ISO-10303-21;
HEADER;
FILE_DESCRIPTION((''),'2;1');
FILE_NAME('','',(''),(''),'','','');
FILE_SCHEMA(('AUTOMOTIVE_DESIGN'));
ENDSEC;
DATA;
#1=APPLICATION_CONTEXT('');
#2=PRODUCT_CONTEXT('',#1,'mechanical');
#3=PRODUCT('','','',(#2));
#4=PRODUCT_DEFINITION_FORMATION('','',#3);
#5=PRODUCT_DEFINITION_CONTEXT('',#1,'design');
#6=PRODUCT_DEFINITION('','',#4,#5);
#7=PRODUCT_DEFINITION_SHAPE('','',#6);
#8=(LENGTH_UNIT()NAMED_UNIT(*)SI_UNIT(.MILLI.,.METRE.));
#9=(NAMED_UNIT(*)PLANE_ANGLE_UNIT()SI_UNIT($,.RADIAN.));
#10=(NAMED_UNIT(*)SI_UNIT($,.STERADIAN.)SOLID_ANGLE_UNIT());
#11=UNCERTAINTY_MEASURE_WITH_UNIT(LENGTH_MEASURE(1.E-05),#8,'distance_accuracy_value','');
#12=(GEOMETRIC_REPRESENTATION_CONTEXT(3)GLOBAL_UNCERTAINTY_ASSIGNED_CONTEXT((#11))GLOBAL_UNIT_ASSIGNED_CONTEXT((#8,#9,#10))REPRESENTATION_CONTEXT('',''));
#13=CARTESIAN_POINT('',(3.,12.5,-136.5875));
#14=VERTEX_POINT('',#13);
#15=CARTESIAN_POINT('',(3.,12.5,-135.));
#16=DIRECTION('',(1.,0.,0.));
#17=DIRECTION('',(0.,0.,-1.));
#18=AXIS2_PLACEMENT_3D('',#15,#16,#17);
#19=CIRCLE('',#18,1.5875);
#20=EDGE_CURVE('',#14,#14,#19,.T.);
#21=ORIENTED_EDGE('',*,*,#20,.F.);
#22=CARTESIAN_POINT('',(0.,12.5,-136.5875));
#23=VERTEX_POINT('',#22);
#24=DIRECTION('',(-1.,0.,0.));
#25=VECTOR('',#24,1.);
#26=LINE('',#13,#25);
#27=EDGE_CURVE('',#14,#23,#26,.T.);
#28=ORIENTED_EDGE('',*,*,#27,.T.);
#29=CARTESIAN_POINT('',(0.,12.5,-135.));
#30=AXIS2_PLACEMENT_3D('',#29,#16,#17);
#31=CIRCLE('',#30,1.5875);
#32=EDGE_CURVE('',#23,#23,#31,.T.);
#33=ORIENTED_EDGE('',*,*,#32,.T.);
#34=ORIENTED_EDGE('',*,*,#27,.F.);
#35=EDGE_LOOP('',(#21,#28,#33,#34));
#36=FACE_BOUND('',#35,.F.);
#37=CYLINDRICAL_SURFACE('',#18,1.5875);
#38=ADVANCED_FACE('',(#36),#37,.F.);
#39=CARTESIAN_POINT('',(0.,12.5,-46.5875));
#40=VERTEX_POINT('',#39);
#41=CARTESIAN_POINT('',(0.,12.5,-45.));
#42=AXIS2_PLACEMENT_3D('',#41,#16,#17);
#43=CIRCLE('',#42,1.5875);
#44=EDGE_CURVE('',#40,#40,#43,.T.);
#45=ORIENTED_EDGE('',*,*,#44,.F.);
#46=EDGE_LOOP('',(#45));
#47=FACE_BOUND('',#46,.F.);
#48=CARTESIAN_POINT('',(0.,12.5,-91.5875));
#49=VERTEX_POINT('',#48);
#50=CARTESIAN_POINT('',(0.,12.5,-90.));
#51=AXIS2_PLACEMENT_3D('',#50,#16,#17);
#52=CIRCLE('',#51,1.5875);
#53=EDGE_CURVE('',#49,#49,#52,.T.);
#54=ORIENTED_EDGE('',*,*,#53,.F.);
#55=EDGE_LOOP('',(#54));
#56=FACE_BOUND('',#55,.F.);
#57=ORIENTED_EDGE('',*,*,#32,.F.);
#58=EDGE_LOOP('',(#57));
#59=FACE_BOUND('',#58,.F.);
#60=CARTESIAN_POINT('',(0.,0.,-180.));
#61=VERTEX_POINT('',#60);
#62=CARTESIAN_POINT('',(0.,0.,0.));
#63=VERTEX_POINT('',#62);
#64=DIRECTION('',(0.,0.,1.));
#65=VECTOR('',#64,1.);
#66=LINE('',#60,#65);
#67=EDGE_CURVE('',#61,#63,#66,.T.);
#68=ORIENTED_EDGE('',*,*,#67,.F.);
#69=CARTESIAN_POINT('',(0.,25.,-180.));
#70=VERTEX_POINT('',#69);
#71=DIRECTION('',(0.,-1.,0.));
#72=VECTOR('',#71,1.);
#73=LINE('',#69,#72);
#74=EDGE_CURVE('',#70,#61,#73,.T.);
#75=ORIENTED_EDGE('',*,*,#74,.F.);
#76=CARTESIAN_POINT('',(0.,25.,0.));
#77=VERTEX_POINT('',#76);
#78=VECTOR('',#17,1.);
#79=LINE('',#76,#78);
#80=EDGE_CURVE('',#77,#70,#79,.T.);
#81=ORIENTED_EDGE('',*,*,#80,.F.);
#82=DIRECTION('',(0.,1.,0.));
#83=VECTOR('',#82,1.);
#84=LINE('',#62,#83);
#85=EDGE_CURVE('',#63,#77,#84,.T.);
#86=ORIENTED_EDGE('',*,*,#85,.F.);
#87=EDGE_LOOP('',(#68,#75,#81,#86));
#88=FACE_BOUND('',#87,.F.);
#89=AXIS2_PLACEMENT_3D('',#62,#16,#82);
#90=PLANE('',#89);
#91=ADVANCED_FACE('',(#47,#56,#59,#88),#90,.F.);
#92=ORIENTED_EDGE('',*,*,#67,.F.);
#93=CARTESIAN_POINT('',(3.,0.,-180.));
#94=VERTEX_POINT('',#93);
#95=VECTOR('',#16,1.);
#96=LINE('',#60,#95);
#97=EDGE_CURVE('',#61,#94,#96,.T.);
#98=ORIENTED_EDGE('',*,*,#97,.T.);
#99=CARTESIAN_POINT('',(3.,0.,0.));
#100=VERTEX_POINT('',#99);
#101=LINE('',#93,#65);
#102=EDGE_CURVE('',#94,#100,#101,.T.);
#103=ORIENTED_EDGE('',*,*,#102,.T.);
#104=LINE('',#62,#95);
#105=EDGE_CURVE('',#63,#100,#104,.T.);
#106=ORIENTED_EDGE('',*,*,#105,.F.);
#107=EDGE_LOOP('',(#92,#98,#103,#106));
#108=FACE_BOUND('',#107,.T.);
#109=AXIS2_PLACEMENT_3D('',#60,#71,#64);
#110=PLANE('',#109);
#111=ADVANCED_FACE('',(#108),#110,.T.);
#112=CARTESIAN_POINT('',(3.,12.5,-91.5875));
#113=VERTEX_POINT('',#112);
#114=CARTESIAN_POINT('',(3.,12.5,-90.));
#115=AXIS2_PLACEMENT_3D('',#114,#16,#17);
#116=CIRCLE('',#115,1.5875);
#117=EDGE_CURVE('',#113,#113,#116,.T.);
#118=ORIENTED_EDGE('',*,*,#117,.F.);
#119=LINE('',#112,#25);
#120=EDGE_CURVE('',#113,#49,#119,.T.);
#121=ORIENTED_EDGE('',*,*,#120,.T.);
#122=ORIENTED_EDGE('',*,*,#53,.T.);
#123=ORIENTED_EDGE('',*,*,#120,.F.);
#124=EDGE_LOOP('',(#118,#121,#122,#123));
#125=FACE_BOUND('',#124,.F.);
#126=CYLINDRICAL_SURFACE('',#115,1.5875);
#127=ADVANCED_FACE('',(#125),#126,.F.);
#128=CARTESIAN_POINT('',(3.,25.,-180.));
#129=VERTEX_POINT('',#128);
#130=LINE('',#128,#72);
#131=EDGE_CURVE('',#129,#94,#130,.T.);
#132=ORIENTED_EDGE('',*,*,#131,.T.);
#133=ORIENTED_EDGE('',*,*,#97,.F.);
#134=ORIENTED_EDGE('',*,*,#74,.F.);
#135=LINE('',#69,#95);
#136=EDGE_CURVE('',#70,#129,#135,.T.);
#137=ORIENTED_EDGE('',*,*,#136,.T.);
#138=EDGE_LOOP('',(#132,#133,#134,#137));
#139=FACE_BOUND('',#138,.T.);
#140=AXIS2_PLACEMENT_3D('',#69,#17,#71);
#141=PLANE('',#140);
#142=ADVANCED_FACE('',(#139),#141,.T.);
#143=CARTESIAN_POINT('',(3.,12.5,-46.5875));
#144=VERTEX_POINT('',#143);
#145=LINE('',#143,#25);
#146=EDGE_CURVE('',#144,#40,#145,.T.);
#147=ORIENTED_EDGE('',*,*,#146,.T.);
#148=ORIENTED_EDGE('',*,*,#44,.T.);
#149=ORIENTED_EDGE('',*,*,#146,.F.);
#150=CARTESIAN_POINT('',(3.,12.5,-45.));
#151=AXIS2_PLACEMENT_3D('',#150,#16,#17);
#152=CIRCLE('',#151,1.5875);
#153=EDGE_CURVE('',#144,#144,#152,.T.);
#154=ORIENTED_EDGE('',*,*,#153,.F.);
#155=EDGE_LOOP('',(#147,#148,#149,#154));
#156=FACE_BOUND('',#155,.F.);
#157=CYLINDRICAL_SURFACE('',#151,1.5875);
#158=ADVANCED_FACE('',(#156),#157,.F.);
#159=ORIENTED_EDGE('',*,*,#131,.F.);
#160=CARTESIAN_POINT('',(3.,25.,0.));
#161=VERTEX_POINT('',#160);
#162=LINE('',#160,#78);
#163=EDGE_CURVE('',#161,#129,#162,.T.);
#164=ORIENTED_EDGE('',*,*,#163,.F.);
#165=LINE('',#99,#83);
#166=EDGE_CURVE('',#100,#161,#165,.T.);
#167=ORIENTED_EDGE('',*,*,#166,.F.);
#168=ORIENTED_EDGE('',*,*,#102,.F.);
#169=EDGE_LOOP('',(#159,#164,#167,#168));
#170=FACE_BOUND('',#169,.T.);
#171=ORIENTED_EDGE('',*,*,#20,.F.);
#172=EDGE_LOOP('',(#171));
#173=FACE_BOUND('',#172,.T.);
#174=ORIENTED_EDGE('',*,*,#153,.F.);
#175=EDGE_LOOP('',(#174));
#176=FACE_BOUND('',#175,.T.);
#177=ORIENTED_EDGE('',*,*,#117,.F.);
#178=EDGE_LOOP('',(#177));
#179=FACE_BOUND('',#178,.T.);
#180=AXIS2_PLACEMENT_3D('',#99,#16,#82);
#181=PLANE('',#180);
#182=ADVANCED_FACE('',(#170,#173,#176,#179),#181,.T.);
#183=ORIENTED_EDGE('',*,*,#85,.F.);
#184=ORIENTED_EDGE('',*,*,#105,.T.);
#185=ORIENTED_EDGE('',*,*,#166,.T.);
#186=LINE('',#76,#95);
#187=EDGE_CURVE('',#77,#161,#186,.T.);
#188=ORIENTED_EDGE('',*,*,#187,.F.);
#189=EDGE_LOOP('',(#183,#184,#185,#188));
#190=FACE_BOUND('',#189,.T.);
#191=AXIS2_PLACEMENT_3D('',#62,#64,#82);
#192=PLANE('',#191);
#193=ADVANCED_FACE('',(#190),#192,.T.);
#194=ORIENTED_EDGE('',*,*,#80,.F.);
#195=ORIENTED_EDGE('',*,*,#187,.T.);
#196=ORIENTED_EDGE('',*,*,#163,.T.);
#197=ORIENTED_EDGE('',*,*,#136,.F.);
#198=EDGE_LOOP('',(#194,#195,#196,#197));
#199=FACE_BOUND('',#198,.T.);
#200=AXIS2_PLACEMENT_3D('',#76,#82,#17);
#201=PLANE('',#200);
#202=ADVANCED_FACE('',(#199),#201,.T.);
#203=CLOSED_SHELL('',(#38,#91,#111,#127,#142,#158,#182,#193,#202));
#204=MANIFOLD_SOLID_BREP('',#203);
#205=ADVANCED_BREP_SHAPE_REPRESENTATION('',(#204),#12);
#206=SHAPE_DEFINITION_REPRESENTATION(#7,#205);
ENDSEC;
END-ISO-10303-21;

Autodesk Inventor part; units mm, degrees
ref_plane "YZ Plane" through (0, 0, 0) normal (1, 0, 0) x (0, 1, 0)
ref_plane "XZ Plane" through (0, 0, 0) normal (0, 1, 0) x (-1, 0, 0)
ref_plane "XY Plane" through (0, 0, 0) normal (0, 0, 1) x (1, 0, 0)
sketch "Boceto1" plane through (0, 0, 0) normal (1, 0, 0) x (0, 1, 0)
  line L0 (0, 0) -> (25, 0)
  line L1 (25, 0) -> (25, -180)
  line L2 (25, -180) -> (0, -180)
  line L3 (0, -180) -> (0, 0)
  dimension "d0" = 25
  dimension "d1" = 180
extrude "Extrusión1" add sketch "Boceto1" along normal blind 3
sketch "Boceto2" plane through (3, 0, 0) normal (1, 0, 0) x (0, 0, -1)
  line L0 (180, 0) -> (180, 25) projected
  line L1 (180, 25) -> (0, 25) projected
  line L2 (0, 25) -> (0, 0) projected
  line L3 (0, 0) -> (180, 0) projected
  circle A0 centre (45, 12.5) radius 1.5875
  circle A1 centre (90, 12.5) radius 1.5875
  circle A2 centre (135, 12.5) radius 1.5875
  dimension "d4" = 3.175
  dimension "d5" = 45
  dimension "d8" = 45
  dimension "d15" = 45
extrude "Extrusión2" cut sketch "Boceto2" against normal blind 3 contours A0 | A1 | A2
properties part number "Pestaña"
